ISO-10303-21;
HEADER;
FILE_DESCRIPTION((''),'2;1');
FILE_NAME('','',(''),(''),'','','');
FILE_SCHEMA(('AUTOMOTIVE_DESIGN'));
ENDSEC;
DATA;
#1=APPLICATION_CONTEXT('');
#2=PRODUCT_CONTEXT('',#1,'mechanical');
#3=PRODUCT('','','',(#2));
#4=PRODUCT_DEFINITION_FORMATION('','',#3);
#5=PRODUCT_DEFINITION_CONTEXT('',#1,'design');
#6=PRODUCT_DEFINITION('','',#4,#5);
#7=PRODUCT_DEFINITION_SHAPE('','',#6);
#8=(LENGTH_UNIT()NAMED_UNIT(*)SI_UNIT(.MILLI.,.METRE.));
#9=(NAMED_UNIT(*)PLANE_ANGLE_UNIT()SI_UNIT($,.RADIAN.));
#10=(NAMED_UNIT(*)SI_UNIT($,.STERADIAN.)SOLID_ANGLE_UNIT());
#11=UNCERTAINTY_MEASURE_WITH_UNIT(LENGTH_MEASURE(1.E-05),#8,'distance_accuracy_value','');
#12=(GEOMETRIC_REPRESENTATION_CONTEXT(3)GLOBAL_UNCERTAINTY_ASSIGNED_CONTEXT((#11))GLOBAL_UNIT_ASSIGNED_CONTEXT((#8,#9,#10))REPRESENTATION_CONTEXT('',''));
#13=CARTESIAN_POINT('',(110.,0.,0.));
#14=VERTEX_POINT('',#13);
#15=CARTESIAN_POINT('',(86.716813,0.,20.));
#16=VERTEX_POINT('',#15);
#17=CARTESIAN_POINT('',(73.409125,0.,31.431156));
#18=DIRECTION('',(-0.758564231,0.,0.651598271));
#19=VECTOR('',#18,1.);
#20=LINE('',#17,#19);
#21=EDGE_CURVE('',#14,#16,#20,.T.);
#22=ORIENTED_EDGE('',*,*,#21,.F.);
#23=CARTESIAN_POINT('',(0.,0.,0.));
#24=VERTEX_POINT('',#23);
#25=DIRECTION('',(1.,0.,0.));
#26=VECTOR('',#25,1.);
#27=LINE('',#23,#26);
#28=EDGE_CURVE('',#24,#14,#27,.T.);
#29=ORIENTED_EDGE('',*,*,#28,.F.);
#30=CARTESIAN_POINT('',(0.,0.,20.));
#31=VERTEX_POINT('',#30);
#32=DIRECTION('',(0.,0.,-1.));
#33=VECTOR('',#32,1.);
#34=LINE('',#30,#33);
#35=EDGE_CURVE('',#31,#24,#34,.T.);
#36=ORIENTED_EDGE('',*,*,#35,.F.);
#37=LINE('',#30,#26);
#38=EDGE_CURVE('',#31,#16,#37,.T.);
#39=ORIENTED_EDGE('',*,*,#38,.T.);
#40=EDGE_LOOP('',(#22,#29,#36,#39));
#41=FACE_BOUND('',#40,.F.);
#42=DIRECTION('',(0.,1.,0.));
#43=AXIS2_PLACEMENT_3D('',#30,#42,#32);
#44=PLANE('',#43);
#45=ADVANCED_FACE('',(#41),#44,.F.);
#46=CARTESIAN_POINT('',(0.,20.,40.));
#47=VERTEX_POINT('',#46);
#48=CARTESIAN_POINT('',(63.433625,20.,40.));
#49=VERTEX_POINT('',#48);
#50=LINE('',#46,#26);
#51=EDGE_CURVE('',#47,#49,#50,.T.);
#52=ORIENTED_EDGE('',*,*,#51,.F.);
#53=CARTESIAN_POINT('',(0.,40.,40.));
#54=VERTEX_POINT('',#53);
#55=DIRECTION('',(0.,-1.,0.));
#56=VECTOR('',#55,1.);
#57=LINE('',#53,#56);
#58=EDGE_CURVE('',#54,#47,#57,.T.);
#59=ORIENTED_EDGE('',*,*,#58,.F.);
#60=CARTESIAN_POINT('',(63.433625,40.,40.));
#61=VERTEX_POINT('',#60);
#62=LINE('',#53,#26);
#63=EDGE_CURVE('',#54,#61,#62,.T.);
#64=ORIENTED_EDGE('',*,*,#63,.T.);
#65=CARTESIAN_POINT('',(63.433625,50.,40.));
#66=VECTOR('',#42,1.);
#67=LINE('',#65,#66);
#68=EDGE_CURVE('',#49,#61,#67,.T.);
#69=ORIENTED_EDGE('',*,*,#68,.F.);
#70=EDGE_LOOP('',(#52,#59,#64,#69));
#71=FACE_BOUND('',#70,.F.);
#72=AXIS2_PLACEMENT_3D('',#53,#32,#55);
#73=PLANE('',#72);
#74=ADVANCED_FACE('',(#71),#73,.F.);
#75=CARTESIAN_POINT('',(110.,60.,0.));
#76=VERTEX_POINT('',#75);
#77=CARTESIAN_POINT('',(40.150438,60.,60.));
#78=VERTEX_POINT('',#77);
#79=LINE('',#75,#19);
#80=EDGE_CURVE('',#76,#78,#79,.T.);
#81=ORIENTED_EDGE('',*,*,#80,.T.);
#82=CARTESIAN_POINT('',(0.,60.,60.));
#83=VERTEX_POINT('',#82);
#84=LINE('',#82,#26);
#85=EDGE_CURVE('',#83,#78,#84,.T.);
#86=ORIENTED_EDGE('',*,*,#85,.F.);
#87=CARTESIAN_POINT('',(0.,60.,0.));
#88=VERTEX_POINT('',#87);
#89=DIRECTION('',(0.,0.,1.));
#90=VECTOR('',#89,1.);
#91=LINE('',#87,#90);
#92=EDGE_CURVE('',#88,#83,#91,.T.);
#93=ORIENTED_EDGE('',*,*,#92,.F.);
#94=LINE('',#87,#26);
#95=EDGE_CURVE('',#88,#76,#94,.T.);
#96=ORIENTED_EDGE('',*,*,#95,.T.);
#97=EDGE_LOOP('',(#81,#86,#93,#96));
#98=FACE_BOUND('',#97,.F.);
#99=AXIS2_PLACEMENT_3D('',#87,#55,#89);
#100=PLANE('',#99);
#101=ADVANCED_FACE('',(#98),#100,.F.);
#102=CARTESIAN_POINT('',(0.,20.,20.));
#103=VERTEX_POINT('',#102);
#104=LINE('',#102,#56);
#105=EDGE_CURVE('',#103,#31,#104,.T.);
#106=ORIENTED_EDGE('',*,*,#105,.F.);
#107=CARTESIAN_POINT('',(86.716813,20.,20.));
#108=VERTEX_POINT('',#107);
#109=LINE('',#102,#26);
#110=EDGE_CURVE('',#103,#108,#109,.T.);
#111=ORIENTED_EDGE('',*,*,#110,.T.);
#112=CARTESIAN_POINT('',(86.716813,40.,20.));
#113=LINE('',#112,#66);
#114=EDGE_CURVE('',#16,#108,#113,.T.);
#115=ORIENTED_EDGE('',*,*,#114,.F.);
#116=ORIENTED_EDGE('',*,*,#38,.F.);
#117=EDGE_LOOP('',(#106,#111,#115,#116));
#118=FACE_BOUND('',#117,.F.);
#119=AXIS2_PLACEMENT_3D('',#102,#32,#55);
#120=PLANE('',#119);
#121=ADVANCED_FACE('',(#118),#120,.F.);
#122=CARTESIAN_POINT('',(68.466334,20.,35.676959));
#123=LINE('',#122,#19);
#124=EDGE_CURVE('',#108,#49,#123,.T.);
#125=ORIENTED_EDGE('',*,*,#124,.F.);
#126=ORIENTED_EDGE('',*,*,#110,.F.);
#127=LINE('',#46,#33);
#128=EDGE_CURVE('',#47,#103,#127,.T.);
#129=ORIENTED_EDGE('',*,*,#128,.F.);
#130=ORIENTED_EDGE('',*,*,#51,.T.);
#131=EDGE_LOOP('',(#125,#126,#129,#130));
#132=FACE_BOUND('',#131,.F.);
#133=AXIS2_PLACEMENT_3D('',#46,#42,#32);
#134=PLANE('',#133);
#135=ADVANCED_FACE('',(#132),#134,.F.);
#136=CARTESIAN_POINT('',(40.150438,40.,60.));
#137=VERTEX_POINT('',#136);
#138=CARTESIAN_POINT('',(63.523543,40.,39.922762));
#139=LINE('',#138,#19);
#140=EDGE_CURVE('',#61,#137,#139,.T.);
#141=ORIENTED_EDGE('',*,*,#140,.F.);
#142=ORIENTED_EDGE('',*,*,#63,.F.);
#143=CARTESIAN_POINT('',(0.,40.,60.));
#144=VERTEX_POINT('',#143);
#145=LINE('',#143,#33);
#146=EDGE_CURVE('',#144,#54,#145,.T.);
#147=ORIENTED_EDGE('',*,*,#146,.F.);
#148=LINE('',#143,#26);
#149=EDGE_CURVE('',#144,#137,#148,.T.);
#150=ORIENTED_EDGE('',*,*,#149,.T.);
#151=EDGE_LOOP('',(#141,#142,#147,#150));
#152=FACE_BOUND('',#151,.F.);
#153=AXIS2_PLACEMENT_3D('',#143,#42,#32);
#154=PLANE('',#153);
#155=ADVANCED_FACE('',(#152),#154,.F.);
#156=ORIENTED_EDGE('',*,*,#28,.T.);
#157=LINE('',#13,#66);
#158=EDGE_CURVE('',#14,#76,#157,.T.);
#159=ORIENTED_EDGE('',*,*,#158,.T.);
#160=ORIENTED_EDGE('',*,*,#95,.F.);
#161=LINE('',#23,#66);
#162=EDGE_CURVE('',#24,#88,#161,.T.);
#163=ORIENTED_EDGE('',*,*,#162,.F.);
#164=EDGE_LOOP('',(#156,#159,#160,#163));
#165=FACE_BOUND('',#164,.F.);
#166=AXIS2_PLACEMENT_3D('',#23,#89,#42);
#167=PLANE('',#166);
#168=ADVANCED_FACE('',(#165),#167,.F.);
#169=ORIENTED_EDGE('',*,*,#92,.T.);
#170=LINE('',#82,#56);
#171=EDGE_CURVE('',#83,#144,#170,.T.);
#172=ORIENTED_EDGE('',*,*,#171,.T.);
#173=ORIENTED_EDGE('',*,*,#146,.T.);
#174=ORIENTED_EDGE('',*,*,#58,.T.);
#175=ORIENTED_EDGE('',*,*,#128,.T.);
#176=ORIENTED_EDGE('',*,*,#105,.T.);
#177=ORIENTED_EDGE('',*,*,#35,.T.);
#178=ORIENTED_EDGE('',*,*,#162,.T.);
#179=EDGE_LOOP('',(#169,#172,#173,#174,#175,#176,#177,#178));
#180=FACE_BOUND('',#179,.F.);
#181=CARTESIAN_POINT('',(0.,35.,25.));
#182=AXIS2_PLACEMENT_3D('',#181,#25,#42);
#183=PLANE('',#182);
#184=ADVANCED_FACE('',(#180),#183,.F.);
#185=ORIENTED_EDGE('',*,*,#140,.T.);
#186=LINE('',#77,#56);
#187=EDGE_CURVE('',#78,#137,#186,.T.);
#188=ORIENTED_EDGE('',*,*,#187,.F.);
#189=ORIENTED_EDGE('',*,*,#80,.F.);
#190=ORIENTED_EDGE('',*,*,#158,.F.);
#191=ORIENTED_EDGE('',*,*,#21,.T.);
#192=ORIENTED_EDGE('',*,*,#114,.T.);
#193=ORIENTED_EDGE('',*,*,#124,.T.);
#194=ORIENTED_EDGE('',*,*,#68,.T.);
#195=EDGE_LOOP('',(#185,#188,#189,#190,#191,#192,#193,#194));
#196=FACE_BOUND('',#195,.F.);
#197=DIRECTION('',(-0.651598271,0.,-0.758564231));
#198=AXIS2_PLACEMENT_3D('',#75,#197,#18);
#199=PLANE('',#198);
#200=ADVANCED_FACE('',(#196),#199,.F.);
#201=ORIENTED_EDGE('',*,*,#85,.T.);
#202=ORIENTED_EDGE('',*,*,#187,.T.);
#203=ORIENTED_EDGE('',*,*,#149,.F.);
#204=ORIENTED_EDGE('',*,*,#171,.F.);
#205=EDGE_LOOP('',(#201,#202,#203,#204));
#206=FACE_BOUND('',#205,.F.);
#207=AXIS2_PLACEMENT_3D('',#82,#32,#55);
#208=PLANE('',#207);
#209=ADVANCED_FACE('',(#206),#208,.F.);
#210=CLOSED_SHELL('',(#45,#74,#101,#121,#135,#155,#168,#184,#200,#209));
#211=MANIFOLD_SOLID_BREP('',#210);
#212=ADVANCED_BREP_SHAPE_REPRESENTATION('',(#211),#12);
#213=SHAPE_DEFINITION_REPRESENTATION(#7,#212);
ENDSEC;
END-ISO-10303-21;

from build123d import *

# Parameters (mm, degrees)
F1_DEPTH = 110
F4_DEPTH = 60.001


with BuildPart() as f1:
    # F0 (on Right) → F1 (new body)
    with BuildSketch(Plane.YZ):
        Polygon((0, 20), (0, 0), (60, 0), (60, 60), (40, 60), (40, 40), (20, 40), (20, 20), align=None)
    extrude(amount=F1_DEPTH)

    # F3 (on face) → F4 (cut, through all)
    with BuildSketch(Plane(origin=(0, 60, 0), x_dir=(-1, 0, 0), z_dir=(0, 1, 0))):
        Polygon((-110, 0), (-40.150438, 60), (-110, 60), align=None)
    extrude(amount=-F4_DEPTH, mode=Mode.SUBTRACT)


solid = f1.part
